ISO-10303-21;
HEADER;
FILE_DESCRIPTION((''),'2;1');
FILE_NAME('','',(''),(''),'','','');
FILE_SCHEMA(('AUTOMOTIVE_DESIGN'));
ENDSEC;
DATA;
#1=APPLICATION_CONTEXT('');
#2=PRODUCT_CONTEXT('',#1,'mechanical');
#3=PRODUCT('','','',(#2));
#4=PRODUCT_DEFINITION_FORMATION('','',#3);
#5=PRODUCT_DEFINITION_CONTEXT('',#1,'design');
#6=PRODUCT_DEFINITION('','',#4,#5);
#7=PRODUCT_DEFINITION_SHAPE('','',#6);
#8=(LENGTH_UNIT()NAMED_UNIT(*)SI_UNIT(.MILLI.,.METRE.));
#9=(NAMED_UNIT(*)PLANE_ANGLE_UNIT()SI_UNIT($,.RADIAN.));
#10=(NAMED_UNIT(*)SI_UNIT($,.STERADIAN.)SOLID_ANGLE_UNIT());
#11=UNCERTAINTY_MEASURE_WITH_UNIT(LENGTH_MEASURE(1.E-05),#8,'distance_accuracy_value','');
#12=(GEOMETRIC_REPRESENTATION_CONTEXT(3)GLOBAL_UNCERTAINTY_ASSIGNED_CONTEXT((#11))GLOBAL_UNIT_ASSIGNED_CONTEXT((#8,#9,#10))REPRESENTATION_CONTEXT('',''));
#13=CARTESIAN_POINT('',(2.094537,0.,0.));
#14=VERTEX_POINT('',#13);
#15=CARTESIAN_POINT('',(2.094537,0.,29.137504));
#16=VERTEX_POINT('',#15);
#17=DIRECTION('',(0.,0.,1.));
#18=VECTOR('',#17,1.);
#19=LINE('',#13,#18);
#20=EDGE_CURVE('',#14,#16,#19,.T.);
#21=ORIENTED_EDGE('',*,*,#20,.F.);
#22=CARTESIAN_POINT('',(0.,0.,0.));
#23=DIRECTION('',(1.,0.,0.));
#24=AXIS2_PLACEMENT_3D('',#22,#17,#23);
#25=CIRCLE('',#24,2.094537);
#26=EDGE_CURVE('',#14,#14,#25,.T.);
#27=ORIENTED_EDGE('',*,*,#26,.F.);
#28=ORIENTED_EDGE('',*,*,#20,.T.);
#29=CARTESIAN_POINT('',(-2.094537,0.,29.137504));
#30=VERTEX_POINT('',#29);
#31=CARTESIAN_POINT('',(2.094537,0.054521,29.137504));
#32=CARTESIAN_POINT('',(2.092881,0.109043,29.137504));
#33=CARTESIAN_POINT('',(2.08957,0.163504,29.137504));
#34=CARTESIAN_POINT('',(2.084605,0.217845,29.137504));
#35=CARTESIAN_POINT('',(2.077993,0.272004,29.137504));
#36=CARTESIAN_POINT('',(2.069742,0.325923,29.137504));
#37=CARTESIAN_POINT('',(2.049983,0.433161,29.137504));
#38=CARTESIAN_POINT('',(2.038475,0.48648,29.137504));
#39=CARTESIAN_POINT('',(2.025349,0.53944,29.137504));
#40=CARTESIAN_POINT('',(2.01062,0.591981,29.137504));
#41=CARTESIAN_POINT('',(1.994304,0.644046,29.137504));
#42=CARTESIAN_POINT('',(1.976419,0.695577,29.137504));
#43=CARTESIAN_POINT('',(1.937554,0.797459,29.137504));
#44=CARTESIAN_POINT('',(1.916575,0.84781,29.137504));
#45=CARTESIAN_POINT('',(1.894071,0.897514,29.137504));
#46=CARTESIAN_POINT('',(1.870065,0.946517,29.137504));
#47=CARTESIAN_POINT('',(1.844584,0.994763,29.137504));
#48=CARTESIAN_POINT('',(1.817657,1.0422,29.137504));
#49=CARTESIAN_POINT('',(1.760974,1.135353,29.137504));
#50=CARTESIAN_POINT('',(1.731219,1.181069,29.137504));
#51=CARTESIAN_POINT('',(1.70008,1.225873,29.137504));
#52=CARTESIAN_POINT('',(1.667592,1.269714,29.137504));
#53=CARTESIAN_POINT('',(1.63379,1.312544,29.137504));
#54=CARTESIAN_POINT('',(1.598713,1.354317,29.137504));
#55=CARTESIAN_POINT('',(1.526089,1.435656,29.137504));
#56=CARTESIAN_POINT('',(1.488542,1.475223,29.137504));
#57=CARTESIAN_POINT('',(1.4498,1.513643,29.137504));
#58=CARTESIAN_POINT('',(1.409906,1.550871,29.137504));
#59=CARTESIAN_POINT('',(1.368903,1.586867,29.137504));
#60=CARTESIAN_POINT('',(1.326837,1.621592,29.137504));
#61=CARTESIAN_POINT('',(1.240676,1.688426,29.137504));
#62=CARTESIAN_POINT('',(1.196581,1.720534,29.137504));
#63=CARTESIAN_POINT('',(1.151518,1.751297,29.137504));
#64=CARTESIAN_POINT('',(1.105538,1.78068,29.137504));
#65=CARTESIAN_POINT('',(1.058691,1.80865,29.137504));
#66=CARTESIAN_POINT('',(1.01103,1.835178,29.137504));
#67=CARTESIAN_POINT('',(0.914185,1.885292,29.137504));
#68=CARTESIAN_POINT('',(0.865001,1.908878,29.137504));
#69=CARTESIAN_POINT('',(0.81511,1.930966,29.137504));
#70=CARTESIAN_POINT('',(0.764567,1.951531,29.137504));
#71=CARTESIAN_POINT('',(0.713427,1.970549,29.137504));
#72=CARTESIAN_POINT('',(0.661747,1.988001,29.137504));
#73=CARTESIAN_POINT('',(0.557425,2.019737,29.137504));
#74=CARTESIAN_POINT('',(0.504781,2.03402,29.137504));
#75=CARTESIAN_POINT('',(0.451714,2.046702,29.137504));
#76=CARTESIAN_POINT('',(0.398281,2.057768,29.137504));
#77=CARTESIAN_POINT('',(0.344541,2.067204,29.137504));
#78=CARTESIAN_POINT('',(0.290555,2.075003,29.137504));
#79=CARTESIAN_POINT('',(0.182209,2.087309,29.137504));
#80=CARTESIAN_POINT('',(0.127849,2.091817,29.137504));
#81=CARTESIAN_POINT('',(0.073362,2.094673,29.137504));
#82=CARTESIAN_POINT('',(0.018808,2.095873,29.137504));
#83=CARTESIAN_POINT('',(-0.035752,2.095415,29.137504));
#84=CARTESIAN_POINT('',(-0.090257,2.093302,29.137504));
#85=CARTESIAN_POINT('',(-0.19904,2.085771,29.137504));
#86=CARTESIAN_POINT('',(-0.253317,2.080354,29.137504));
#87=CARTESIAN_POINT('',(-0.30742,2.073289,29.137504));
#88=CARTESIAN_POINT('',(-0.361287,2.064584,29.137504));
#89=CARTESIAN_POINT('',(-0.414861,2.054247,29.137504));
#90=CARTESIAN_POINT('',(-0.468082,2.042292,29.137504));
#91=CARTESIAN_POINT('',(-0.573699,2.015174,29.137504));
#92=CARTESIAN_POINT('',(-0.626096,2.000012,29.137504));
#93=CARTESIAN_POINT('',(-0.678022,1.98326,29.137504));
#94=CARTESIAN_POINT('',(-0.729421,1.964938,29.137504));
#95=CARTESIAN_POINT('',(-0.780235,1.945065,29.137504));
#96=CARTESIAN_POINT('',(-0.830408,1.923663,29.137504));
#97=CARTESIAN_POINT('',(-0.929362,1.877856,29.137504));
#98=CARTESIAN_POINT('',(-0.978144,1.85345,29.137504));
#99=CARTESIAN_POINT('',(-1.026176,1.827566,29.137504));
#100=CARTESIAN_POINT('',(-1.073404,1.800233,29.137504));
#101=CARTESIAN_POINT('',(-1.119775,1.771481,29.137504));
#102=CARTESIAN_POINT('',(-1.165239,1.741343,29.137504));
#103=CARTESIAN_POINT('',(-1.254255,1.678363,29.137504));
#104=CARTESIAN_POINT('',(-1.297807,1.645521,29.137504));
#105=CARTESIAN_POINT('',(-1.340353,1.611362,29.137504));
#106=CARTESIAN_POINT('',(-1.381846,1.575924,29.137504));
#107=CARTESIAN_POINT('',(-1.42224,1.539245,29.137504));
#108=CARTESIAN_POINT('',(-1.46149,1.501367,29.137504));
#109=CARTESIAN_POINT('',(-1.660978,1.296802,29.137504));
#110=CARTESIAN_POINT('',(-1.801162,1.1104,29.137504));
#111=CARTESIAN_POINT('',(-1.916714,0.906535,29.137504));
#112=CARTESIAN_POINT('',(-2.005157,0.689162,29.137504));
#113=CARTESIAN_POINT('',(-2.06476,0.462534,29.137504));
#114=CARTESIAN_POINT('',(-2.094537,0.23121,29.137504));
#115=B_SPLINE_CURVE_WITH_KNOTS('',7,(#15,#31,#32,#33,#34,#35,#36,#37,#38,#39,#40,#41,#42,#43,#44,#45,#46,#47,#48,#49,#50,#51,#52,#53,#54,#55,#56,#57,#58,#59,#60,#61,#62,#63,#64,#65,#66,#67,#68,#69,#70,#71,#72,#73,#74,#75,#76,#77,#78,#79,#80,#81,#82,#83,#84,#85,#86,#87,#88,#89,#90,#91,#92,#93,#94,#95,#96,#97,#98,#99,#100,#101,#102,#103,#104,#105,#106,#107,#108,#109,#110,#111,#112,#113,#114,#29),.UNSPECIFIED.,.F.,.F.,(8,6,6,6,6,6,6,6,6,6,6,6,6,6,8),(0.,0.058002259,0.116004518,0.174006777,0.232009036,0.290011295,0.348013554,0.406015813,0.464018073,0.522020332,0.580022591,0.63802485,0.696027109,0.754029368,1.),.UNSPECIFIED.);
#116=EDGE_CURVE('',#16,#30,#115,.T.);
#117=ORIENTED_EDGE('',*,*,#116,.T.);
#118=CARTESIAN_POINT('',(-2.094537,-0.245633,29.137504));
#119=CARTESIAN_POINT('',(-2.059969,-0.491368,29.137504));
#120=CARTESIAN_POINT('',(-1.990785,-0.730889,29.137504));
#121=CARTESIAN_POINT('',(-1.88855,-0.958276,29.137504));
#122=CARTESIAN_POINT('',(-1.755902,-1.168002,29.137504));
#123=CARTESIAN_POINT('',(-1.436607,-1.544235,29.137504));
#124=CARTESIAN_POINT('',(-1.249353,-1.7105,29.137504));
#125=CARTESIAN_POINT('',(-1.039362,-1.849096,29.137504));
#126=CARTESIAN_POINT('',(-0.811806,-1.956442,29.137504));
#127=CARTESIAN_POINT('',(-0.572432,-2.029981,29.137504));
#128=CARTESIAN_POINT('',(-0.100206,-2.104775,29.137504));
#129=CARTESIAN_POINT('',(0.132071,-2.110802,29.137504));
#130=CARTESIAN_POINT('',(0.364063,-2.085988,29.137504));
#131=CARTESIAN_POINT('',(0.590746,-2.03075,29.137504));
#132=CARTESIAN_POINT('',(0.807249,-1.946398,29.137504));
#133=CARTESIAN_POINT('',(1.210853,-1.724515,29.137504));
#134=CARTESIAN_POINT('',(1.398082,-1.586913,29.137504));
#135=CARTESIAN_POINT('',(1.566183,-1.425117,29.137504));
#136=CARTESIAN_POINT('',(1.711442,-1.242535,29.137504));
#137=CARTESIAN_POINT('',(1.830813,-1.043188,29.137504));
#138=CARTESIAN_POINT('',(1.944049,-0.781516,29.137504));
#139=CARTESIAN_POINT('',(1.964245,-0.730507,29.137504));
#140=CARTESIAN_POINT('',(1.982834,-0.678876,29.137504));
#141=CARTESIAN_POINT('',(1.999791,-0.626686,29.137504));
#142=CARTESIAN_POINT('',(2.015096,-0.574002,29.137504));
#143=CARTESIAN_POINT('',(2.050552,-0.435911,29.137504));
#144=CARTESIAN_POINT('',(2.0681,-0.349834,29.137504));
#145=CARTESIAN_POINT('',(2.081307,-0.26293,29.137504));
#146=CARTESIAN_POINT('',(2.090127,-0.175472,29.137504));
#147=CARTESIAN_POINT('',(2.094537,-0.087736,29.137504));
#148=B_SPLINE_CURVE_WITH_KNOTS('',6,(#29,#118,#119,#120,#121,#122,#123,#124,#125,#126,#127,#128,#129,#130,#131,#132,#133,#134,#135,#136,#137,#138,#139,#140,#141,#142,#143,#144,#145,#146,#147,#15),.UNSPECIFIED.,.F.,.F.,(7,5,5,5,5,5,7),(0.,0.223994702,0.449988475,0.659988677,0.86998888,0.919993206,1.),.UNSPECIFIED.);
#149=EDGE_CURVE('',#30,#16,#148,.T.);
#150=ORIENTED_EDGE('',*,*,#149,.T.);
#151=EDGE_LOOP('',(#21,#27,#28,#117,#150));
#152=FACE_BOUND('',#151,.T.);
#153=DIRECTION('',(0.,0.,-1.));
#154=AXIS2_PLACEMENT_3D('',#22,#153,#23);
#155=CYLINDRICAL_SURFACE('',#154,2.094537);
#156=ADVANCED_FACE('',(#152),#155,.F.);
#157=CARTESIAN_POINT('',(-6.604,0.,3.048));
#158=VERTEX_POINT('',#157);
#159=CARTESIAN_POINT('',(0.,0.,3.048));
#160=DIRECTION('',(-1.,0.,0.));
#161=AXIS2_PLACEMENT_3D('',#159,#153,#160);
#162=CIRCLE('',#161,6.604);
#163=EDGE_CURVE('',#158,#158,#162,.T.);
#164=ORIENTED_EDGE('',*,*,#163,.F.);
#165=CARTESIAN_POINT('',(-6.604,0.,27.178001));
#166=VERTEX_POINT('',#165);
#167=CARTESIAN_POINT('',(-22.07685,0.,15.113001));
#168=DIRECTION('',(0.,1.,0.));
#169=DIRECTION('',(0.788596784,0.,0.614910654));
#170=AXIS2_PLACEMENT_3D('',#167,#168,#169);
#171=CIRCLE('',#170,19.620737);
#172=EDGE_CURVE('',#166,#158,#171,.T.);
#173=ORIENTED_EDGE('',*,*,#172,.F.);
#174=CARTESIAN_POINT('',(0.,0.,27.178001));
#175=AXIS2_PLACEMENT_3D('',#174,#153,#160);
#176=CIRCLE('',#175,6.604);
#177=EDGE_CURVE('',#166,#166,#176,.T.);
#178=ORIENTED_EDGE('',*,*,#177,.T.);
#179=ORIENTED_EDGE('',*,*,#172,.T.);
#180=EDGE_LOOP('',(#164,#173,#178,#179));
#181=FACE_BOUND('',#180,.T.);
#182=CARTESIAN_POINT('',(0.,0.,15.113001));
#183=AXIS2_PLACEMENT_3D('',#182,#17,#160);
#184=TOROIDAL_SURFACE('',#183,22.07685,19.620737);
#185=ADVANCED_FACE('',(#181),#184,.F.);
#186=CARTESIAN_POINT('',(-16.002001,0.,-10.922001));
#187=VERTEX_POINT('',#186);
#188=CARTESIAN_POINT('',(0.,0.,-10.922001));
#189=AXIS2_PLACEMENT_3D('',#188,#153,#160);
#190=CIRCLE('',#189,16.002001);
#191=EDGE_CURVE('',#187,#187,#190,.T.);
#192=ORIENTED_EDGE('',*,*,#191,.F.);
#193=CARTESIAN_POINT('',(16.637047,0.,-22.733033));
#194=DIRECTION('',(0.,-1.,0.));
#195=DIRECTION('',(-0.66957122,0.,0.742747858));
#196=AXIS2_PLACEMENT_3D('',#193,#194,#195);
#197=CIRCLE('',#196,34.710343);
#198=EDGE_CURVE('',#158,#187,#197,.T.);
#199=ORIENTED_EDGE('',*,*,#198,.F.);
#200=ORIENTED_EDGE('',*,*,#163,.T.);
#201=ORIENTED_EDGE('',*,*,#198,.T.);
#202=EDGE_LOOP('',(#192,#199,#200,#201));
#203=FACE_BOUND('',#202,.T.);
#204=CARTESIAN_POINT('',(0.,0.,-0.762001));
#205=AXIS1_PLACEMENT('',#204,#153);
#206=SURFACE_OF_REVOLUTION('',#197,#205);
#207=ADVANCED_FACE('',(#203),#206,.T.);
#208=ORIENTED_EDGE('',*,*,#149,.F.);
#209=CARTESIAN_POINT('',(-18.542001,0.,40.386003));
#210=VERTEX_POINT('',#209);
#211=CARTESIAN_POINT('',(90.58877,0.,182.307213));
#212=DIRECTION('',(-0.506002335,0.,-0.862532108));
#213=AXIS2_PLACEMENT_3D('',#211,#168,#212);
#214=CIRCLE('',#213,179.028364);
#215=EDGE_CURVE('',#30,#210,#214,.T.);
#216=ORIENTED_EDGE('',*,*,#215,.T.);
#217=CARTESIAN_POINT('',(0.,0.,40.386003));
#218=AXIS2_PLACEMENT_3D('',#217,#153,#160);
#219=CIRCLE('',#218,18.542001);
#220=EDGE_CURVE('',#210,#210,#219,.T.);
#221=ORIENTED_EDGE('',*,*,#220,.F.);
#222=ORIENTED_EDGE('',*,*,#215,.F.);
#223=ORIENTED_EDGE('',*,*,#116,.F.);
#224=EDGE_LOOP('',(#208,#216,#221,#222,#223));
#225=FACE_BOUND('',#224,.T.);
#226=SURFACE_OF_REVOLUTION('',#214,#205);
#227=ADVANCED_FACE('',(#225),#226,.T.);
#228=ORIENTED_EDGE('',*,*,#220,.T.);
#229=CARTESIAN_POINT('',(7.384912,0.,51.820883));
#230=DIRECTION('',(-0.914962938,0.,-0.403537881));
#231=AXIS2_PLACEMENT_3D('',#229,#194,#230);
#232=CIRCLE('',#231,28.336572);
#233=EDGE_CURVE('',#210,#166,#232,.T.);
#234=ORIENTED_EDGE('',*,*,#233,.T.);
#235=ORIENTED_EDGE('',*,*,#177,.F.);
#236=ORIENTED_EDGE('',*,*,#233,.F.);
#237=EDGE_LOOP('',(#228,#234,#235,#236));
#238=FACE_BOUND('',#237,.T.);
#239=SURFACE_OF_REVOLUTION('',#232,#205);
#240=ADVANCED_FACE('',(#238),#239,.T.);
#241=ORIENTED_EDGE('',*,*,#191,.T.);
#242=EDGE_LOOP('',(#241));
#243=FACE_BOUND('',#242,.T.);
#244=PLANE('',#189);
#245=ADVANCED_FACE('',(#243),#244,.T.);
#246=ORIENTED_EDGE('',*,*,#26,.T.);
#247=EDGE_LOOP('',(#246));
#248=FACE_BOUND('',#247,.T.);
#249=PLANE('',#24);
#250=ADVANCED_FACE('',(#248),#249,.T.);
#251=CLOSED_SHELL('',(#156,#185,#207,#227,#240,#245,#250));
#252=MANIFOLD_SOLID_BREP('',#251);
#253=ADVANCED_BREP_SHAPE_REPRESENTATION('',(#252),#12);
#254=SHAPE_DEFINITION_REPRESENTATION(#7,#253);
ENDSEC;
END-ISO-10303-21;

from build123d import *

# Parameters (mm, degrees)
F2_R     = 2.094537
F3_DEPTH = 381


with BuildPart() as f1:
    # F0 (on Front) → F1 (revolve)
    with BuildSketch(Plane.XZ):
        with BuildLine():
            Line((0, -10.922001), (0, 27.889501))
            ThreePointArc((0, 27.889501), (-9.466287, 33.847991), (-18.542001, 40.386003))
            ThreePointArc((-18.542001, 40.386003), (-13.637245, 32.820088), (-6.604, 27.178001))
            ThreePointArc((-6.604, 27.178001), (-2.456113, 15.113), (-6.604, 3.048))
            ThreePointArc((-6.604, 3.048), (-12.162892, -3.358528), (-16.002001, -10.922001))
            Line((-16.002001, -10.922001), (0, -10.922001))
        make_face()
    revolve(axis=Axis((0, 0, -0.762001), (0, 0, -1)))

    # F2 (on Top) → F3 (cut)
    with BuildSketch(Plane.XY):
        Circle(F2_R)
    extrude(amount=F3_DEPTH, mode=Mode.SUBTRACT)


solid = f1.part
